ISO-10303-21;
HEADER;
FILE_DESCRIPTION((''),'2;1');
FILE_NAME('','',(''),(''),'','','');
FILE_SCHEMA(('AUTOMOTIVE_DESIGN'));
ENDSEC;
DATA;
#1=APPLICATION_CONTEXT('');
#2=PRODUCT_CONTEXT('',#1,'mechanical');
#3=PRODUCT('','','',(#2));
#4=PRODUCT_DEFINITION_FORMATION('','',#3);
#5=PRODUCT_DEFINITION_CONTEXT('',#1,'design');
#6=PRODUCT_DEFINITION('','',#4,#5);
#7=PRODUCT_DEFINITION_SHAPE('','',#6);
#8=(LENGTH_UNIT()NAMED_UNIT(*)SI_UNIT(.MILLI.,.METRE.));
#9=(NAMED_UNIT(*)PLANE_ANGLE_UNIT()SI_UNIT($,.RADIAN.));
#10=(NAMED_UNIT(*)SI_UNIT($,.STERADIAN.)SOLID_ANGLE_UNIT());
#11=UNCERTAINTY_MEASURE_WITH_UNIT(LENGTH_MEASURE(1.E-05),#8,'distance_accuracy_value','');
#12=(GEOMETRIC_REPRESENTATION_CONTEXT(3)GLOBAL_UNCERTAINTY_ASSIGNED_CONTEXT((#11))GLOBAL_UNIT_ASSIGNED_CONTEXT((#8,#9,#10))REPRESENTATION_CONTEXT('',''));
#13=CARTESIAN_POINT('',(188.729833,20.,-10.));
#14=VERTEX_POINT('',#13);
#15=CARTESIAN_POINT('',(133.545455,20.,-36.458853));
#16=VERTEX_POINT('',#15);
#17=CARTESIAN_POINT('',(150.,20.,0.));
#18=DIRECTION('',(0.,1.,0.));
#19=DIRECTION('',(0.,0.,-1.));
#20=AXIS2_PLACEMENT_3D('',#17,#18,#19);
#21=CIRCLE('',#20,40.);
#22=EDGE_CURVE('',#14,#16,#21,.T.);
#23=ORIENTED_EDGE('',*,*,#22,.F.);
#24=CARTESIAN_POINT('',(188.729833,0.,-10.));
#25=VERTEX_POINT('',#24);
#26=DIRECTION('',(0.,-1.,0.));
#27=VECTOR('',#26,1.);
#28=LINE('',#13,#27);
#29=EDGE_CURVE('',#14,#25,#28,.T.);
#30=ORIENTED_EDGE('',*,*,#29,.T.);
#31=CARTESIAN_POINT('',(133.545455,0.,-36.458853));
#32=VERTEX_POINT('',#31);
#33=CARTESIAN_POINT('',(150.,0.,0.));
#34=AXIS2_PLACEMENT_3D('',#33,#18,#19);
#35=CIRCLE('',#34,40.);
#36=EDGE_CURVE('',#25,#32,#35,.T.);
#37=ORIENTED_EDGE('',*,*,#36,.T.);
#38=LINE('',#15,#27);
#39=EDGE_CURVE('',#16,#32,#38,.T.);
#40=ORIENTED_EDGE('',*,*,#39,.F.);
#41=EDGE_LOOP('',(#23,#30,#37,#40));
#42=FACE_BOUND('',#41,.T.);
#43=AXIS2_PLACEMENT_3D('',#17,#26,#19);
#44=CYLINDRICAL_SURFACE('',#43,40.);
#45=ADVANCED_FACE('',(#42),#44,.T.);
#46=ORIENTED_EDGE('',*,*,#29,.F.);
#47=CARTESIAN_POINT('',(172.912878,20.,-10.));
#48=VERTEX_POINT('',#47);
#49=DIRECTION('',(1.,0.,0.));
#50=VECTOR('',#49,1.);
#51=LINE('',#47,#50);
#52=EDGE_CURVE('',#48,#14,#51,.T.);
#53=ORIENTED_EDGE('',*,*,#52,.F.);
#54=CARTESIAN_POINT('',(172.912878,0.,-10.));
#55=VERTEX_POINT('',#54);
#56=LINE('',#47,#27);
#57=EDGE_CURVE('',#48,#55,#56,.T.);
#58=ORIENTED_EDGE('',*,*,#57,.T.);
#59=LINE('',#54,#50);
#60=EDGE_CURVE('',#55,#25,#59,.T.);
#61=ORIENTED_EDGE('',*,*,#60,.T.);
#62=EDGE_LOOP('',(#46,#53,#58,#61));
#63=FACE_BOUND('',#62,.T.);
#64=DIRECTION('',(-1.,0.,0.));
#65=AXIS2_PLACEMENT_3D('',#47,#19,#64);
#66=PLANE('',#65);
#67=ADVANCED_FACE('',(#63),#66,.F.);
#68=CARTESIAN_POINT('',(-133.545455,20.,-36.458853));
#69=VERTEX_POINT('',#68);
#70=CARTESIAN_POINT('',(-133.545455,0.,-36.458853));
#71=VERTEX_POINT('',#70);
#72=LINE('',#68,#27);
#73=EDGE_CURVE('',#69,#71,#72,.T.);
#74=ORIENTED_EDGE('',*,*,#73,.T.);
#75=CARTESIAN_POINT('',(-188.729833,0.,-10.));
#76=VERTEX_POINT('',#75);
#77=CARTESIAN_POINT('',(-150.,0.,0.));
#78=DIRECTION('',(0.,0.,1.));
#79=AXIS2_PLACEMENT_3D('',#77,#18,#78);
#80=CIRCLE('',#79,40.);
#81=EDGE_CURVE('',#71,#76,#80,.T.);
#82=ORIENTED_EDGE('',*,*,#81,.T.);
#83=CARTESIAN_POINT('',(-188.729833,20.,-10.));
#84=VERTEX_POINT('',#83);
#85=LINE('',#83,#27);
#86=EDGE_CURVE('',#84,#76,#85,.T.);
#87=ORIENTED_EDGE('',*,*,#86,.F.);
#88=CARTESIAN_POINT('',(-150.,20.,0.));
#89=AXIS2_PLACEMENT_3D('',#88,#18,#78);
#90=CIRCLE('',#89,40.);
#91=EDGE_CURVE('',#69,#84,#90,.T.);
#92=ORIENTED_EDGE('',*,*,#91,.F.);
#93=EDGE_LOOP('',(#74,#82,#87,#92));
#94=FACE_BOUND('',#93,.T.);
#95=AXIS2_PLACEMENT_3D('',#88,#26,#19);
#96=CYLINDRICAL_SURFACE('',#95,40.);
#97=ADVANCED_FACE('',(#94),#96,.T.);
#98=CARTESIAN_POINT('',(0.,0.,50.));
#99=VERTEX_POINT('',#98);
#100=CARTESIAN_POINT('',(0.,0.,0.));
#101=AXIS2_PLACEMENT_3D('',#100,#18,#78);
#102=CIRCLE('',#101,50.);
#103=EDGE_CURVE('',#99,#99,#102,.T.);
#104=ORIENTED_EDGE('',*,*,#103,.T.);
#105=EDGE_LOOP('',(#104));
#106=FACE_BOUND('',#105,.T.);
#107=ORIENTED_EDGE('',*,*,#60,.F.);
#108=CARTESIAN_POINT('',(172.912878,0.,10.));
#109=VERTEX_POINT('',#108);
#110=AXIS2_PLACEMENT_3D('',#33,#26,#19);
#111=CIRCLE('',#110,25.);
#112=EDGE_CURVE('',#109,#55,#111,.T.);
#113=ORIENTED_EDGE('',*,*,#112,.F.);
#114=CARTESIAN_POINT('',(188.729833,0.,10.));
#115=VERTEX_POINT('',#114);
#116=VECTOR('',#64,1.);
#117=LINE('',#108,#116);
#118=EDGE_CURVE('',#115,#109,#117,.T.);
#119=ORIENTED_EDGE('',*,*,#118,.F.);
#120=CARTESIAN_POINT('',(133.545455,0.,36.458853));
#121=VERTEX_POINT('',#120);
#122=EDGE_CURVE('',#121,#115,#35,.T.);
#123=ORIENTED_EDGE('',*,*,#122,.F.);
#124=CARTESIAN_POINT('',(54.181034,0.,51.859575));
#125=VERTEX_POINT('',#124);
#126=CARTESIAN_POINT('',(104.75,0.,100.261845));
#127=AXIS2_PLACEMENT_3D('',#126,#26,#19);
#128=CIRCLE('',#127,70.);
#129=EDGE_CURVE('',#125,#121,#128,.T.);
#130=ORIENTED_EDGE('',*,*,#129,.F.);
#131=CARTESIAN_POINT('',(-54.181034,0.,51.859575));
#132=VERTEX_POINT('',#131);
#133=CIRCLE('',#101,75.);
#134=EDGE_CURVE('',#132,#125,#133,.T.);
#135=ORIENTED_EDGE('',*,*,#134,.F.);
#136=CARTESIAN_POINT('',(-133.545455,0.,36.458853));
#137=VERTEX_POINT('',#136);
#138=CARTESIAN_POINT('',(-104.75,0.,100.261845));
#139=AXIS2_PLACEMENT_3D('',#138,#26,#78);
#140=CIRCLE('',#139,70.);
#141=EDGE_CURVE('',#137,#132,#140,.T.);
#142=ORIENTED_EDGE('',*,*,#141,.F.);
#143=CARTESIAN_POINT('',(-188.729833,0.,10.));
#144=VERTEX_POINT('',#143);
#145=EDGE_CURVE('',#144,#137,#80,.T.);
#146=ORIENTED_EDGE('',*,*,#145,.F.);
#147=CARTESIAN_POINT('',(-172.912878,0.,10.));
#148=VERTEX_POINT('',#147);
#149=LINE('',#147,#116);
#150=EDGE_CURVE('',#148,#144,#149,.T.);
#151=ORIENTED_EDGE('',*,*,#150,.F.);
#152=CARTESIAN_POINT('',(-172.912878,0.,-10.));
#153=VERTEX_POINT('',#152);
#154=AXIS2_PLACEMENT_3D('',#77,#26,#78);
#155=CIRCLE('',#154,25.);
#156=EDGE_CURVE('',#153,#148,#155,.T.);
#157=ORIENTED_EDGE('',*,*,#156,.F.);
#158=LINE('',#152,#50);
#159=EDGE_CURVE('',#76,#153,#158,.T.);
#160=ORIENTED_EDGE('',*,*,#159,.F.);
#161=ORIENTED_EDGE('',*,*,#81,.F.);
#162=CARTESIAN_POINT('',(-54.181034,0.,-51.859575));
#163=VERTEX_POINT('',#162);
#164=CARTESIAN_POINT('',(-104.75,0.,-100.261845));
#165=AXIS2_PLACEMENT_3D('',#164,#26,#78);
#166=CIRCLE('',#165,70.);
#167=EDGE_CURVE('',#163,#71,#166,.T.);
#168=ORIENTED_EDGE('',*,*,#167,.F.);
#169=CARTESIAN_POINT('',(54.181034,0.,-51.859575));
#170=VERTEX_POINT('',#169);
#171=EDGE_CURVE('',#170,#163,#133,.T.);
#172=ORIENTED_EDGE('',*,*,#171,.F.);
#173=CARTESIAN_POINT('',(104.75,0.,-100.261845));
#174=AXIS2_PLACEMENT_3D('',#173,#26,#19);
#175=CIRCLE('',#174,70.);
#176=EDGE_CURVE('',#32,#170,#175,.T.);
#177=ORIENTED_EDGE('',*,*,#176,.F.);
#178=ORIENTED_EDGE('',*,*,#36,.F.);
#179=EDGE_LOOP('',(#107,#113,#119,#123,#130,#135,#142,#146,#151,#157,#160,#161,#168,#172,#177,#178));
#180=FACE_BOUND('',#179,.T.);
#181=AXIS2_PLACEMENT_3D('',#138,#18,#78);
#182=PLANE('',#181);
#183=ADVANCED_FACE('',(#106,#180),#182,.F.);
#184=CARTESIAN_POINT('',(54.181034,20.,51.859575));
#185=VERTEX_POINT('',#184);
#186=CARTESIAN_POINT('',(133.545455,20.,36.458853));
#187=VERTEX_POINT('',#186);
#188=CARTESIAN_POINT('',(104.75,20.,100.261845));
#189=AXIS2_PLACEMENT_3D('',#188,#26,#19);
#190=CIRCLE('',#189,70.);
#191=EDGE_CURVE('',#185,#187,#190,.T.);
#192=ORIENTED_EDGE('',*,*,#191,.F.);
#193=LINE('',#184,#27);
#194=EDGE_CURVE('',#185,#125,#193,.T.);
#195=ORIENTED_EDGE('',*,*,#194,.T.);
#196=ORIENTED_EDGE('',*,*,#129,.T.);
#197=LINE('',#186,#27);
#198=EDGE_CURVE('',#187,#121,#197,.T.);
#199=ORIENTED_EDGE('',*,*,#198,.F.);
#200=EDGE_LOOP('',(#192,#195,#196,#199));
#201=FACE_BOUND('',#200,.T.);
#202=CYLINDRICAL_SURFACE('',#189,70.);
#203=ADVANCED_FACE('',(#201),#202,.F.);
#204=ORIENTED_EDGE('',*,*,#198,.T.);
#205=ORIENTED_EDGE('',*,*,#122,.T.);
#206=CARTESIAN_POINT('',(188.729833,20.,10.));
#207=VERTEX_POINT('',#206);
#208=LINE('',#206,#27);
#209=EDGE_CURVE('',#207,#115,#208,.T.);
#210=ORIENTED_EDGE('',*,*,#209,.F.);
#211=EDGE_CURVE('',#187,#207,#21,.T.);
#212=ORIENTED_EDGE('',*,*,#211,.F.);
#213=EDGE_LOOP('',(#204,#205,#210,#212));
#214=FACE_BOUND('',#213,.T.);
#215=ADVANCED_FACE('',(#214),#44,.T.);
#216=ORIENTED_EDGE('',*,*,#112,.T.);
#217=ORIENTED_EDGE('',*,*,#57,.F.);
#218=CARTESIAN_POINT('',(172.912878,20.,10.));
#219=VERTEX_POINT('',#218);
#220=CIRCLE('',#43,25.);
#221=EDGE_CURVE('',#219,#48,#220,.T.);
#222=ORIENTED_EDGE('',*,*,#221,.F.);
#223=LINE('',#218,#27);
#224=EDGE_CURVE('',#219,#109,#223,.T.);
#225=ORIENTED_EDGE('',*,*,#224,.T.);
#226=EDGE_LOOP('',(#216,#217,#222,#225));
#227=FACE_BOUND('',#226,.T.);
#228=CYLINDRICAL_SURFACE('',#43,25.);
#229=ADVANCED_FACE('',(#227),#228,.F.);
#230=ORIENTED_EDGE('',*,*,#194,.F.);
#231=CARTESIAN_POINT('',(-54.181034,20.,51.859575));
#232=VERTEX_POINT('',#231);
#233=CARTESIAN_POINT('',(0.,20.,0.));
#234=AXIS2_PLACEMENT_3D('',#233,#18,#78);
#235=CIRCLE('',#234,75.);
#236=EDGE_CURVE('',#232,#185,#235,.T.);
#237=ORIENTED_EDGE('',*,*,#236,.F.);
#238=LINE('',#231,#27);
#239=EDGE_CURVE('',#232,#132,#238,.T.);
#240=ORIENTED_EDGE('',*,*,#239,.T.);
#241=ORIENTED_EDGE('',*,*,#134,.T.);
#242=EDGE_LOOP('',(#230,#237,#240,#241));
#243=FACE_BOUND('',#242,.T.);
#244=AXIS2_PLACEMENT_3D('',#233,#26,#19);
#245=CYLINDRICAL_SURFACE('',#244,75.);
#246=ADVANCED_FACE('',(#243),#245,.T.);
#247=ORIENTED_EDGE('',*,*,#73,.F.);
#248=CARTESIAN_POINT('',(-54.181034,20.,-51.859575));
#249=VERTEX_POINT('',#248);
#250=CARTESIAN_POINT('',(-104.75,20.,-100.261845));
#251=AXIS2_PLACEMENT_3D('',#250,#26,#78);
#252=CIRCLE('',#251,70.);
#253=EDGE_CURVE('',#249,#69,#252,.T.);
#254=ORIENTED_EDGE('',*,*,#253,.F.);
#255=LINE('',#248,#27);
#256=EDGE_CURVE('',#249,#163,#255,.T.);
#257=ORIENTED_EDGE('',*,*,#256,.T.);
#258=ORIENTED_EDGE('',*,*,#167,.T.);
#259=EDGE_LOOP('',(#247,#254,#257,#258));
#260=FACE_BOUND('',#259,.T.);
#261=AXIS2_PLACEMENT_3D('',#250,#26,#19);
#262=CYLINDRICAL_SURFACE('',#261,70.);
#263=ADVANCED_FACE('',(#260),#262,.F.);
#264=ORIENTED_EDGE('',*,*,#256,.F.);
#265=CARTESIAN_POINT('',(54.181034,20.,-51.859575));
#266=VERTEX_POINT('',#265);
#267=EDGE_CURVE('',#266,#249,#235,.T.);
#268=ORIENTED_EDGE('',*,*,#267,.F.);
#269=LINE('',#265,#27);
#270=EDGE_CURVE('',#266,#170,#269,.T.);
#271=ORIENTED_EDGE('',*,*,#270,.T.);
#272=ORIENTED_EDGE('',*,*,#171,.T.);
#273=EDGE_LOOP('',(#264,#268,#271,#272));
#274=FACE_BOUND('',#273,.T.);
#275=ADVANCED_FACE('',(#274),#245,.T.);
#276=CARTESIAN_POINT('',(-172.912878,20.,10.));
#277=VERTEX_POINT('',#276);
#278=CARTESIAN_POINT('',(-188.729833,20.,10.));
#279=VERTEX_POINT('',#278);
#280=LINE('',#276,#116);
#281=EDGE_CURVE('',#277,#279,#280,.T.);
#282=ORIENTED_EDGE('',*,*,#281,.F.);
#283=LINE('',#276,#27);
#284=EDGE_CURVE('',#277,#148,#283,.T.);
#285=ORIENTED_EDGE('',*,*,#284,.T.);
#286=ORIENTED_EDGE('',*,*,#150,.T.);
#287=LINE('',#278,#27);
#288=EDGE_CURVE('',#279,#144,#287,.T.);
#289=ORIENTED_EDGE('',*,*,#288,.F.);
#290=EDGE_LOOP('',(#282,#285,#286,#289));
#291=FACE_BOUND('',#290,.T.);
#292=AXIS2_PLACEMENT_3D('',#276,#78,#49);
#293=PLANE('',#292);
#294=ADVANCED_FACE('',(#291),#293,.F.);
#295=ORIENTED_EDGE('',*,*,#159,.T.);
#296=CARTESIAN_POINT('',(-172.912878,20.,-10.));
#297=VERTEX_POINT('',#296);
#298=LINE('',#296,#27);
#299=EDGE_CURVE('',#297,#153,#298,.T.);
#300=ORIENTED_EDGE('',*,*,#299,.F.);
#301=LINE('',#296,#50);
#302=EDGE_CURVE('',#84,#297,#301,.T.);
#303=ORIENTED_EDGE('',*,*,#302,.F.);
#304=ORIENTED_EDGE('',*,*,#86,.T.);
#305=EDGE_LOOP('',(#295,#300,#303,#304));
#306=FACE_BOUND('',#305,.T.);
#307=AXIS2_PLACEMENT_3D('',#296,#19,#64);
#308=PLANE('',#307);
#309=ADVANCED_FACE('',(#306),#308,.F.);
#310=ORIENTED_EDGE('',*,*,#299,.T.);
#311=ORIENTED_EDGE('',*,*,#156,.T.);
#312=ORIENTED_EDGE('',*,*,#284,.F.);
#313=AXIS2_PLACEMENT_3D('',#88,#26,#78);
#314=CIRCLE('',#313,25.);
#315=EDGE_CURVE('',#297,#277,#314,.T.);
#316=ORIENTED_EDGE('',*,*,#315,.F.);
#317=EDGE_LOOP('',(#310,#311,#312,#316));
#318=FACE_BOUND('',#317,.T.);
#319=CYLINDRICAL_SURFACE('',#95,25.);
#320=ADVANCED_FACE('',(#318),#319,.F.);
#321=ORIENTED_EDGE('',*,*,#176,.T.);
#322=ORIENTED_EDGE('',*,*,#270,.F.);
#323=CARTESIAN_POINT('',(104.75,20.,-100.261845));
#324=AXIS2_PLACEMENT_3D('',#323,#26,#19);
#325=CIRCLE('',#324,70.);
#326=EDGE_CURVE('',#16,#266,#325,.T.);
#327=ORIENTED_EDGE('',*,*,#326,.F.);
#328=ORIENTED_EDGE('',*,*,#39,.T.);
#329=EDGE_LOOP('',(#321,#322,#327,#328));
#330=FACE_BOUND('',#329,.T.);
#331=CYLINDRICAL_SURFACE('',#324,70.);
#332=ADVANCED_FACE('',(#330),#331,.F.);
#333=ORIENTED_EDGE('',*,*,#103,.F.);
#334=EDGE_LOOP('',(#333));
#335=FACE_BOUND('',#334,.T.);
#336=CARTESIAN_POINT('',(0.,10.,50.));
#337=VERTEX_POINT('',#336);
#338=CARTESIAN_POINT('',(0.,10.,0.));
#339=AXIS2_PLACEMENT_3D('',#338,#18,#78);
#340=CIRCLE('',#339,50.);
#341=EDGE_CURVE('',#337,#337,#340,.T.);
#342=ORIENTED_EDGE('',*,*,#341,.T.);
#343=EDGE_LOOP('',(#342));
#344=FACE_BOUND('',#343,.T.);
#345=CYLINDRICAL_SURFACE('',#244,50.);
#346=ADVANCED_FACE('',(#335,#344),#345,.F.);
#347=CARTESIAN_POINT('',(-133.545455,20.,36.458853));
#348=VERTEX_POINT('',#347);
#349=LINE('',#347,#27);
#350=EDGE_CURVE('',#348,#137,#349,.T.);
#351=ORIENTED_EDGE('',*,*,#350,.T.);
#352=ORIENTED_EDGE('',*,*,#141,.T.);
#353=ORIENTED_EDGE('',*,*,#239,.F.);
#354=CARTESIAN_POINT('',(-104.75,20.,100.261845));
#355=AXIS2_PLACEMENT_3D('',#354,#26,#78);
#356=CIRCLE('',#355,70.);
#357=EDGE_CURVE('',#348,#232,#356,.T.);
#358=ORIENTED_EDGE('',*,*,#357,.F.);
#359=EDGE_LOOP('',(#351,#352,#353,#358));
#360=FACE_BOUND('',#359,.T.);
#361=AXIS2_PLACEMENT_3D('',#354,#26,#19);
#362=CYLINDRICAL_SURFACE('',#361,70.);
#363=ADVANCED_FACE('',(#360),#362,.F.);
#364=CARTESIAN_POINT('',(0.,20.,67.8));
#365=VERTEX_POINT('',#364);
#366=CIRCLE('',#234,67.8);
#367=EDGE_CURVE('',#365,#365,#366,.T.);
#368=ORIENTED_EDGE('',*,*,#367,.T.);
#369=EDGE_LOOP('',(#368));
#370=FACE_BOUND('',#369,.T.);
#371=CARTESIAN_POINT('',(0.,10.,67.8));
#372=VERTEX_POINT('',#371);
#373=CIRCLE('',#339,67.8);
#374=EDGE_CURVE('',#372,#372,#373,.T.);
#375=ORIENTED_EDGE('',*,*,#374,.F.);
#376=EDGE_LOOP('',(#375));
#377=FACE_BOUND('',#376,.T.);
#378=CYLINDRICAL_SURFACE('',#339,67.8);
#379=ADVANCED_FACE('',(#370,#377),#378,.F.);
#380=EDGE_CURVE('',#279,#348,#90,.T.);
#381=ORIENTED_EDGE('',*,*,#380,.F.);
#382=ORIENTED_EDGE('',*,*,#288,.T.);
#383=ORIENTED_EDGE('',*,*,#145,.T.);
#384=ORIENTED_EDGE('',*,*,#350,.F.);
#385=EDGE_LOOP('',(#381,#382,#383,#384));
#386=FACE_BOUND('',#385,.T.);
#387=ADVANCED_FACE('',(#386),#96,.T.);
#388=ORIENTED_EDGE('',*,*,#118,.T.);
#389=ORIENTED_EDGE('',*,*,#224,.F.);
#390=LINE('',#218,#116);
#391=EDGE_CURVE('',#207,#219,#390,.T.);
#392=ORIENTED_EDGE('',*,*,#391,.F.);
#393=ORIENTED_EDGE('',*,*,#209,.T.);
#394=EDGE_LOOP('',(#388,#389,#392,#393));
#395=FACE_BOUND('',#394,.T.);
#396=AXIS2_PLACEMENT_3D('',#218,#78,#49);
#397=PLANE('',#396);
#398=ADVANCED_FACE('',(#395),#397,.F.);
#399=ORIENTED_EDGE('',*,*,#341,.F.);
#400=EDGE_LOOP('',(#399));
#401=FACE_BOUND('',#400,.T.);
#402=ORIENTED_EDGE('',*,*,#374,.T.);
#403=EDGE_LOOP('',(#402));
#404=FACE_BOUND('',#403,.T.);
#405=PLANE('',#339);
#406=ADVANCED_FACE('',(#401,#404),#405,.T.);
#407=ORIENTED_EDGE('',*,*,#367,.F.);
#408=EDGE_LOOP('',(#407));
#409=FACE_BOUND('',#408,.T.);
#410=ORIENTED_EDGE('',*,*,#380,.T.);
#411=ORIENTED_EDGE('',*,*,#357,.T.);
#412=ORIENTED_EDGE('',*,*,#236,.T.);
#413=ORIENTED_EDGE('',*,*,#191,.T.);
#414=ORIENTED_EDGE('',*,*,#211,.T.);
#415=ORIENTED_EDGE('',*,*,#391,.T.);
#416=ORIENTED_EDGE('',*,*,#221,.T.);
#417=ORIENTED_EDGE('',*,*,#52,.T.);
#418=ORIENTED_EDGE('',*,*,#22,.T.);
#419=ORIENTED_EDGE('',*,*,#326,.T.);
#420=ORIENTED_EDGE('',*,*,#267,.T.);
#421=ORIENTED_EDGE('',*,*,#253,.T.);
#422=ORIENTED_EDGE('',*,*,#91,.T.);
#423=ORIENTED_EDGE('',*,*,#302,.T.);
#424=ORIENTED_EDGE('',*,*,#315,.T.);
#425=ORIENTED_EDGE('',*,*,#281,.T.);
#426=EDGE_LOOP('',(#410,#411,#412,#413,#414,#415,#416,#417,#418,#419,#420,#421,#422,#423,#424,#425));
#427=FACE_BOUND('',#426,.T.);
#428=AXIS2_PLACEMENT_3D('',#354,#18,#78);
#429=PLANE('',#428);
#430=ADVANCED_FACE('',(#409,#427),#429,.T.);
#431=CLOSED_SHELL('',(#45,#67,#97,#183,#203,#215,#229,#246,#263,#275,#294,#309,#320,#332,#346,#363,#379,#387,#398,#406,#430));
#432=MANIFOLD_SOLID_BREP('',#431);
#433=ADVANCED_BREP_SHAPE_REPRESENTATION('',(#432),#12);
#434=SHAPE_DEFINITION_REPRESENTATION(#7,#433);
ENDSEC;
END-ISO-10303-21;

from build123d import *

# Parameters (mm, degrees)
ESQUISSE1_R             = 50
BOSS_EXTRU_1_DEPTH      = 20
ESQUISSE2_R             = 67.8
ENL_V_MAT_EXTRU_1_DEPTH = 10


with BuildPart() as part:
    # Esquisse1 → Boss.-Extru.1 (new body)
    with BuildSketch(Plane(origin=(0, 0, 0), x_dir=(1, 0, 0), z_dir=(0, 1, 0))):
        with BuildLine():
            Line((172.912878475, 10), (188.729833462, 10))
            ThreePointArc((188.729833462, 10), (167.293491098, 36.068478837), (133.545454545, 36.458852613))
            ThreePointArc((133.545454545, 36.458852613), (91.415195679, 31.543703023), (54.181034483, 51.859574838))
            ThreePointArc((54.181034483, 51.859574838), (0, 75), (-54.181034483, 51.859574838))
            ThreePointArc((-54.181034483, 51.859574838), (-91.415195679, 31.543703023), (-133.545454545, 36.458852613))
            ThreePointArc((-133.545454545, 36.458852613), (-167.293491098, 36.068478837), (-188.729833462, 10))
            Line((-188.729833462, 10), (-172.912878475, 10))
            ThreePointArc((-172.912878475, 10), (-125, 0), (-172.912878475, -10))
            Line((-172.912878475, -10), (-188.729833462, -10))
            ThreePointArc((-188.729833462, -10), (-167.293491098, -36.068478837), (-133.545454545, -36.458852613))
            ThreePointArc((-133.545454545, -36.458852613), (-91.415195679, -31.543703023), (-54.181034483, -51.859574838))
            ThreePointArc((-54.181034483, -51.859574838), (0, -75), (54.181034483, -51.859574838))
            ThreePointArc((54.181034483, -51.859574838), (91.415195679, -31.543703023), (133.545454545, -36.458852613))
            ThreePointArc((133.545454545, -36.458852613), (167.293491098, -36.068478837), (188.729833462, -10))
            Line((188.729833462, -10), (172.912878475, -10))
            ThreePointArc((172.912878475, -10), (125, 0), (172.912878475, 10))
        make_face()
        with Locations(Location((0, 0, 0), (0, 0, 270))):
            Circle(ESQUISSE1_R, mode=Mode.SUBTRACT)
    extrude(amount=BOSS_EXTRU_1_DEPTH)

    # Esquisse2 → Enlèv. mat.-Extru.1 (cut)
    with BuildSketch(Plane(origin=(0, 20, 0), x_dir=(1, 0, 0), z_dir=(0, 1, 0))):
        with Locations(Location((0, 0, 0), (0, 0, 270))):
            Circle(ESQUISSE2_R)
    extrude(amount=-ENL_V_MAT_EXTRU_1_DEPTH, mode=Mode.SUBTRACT)


solid = part.part
